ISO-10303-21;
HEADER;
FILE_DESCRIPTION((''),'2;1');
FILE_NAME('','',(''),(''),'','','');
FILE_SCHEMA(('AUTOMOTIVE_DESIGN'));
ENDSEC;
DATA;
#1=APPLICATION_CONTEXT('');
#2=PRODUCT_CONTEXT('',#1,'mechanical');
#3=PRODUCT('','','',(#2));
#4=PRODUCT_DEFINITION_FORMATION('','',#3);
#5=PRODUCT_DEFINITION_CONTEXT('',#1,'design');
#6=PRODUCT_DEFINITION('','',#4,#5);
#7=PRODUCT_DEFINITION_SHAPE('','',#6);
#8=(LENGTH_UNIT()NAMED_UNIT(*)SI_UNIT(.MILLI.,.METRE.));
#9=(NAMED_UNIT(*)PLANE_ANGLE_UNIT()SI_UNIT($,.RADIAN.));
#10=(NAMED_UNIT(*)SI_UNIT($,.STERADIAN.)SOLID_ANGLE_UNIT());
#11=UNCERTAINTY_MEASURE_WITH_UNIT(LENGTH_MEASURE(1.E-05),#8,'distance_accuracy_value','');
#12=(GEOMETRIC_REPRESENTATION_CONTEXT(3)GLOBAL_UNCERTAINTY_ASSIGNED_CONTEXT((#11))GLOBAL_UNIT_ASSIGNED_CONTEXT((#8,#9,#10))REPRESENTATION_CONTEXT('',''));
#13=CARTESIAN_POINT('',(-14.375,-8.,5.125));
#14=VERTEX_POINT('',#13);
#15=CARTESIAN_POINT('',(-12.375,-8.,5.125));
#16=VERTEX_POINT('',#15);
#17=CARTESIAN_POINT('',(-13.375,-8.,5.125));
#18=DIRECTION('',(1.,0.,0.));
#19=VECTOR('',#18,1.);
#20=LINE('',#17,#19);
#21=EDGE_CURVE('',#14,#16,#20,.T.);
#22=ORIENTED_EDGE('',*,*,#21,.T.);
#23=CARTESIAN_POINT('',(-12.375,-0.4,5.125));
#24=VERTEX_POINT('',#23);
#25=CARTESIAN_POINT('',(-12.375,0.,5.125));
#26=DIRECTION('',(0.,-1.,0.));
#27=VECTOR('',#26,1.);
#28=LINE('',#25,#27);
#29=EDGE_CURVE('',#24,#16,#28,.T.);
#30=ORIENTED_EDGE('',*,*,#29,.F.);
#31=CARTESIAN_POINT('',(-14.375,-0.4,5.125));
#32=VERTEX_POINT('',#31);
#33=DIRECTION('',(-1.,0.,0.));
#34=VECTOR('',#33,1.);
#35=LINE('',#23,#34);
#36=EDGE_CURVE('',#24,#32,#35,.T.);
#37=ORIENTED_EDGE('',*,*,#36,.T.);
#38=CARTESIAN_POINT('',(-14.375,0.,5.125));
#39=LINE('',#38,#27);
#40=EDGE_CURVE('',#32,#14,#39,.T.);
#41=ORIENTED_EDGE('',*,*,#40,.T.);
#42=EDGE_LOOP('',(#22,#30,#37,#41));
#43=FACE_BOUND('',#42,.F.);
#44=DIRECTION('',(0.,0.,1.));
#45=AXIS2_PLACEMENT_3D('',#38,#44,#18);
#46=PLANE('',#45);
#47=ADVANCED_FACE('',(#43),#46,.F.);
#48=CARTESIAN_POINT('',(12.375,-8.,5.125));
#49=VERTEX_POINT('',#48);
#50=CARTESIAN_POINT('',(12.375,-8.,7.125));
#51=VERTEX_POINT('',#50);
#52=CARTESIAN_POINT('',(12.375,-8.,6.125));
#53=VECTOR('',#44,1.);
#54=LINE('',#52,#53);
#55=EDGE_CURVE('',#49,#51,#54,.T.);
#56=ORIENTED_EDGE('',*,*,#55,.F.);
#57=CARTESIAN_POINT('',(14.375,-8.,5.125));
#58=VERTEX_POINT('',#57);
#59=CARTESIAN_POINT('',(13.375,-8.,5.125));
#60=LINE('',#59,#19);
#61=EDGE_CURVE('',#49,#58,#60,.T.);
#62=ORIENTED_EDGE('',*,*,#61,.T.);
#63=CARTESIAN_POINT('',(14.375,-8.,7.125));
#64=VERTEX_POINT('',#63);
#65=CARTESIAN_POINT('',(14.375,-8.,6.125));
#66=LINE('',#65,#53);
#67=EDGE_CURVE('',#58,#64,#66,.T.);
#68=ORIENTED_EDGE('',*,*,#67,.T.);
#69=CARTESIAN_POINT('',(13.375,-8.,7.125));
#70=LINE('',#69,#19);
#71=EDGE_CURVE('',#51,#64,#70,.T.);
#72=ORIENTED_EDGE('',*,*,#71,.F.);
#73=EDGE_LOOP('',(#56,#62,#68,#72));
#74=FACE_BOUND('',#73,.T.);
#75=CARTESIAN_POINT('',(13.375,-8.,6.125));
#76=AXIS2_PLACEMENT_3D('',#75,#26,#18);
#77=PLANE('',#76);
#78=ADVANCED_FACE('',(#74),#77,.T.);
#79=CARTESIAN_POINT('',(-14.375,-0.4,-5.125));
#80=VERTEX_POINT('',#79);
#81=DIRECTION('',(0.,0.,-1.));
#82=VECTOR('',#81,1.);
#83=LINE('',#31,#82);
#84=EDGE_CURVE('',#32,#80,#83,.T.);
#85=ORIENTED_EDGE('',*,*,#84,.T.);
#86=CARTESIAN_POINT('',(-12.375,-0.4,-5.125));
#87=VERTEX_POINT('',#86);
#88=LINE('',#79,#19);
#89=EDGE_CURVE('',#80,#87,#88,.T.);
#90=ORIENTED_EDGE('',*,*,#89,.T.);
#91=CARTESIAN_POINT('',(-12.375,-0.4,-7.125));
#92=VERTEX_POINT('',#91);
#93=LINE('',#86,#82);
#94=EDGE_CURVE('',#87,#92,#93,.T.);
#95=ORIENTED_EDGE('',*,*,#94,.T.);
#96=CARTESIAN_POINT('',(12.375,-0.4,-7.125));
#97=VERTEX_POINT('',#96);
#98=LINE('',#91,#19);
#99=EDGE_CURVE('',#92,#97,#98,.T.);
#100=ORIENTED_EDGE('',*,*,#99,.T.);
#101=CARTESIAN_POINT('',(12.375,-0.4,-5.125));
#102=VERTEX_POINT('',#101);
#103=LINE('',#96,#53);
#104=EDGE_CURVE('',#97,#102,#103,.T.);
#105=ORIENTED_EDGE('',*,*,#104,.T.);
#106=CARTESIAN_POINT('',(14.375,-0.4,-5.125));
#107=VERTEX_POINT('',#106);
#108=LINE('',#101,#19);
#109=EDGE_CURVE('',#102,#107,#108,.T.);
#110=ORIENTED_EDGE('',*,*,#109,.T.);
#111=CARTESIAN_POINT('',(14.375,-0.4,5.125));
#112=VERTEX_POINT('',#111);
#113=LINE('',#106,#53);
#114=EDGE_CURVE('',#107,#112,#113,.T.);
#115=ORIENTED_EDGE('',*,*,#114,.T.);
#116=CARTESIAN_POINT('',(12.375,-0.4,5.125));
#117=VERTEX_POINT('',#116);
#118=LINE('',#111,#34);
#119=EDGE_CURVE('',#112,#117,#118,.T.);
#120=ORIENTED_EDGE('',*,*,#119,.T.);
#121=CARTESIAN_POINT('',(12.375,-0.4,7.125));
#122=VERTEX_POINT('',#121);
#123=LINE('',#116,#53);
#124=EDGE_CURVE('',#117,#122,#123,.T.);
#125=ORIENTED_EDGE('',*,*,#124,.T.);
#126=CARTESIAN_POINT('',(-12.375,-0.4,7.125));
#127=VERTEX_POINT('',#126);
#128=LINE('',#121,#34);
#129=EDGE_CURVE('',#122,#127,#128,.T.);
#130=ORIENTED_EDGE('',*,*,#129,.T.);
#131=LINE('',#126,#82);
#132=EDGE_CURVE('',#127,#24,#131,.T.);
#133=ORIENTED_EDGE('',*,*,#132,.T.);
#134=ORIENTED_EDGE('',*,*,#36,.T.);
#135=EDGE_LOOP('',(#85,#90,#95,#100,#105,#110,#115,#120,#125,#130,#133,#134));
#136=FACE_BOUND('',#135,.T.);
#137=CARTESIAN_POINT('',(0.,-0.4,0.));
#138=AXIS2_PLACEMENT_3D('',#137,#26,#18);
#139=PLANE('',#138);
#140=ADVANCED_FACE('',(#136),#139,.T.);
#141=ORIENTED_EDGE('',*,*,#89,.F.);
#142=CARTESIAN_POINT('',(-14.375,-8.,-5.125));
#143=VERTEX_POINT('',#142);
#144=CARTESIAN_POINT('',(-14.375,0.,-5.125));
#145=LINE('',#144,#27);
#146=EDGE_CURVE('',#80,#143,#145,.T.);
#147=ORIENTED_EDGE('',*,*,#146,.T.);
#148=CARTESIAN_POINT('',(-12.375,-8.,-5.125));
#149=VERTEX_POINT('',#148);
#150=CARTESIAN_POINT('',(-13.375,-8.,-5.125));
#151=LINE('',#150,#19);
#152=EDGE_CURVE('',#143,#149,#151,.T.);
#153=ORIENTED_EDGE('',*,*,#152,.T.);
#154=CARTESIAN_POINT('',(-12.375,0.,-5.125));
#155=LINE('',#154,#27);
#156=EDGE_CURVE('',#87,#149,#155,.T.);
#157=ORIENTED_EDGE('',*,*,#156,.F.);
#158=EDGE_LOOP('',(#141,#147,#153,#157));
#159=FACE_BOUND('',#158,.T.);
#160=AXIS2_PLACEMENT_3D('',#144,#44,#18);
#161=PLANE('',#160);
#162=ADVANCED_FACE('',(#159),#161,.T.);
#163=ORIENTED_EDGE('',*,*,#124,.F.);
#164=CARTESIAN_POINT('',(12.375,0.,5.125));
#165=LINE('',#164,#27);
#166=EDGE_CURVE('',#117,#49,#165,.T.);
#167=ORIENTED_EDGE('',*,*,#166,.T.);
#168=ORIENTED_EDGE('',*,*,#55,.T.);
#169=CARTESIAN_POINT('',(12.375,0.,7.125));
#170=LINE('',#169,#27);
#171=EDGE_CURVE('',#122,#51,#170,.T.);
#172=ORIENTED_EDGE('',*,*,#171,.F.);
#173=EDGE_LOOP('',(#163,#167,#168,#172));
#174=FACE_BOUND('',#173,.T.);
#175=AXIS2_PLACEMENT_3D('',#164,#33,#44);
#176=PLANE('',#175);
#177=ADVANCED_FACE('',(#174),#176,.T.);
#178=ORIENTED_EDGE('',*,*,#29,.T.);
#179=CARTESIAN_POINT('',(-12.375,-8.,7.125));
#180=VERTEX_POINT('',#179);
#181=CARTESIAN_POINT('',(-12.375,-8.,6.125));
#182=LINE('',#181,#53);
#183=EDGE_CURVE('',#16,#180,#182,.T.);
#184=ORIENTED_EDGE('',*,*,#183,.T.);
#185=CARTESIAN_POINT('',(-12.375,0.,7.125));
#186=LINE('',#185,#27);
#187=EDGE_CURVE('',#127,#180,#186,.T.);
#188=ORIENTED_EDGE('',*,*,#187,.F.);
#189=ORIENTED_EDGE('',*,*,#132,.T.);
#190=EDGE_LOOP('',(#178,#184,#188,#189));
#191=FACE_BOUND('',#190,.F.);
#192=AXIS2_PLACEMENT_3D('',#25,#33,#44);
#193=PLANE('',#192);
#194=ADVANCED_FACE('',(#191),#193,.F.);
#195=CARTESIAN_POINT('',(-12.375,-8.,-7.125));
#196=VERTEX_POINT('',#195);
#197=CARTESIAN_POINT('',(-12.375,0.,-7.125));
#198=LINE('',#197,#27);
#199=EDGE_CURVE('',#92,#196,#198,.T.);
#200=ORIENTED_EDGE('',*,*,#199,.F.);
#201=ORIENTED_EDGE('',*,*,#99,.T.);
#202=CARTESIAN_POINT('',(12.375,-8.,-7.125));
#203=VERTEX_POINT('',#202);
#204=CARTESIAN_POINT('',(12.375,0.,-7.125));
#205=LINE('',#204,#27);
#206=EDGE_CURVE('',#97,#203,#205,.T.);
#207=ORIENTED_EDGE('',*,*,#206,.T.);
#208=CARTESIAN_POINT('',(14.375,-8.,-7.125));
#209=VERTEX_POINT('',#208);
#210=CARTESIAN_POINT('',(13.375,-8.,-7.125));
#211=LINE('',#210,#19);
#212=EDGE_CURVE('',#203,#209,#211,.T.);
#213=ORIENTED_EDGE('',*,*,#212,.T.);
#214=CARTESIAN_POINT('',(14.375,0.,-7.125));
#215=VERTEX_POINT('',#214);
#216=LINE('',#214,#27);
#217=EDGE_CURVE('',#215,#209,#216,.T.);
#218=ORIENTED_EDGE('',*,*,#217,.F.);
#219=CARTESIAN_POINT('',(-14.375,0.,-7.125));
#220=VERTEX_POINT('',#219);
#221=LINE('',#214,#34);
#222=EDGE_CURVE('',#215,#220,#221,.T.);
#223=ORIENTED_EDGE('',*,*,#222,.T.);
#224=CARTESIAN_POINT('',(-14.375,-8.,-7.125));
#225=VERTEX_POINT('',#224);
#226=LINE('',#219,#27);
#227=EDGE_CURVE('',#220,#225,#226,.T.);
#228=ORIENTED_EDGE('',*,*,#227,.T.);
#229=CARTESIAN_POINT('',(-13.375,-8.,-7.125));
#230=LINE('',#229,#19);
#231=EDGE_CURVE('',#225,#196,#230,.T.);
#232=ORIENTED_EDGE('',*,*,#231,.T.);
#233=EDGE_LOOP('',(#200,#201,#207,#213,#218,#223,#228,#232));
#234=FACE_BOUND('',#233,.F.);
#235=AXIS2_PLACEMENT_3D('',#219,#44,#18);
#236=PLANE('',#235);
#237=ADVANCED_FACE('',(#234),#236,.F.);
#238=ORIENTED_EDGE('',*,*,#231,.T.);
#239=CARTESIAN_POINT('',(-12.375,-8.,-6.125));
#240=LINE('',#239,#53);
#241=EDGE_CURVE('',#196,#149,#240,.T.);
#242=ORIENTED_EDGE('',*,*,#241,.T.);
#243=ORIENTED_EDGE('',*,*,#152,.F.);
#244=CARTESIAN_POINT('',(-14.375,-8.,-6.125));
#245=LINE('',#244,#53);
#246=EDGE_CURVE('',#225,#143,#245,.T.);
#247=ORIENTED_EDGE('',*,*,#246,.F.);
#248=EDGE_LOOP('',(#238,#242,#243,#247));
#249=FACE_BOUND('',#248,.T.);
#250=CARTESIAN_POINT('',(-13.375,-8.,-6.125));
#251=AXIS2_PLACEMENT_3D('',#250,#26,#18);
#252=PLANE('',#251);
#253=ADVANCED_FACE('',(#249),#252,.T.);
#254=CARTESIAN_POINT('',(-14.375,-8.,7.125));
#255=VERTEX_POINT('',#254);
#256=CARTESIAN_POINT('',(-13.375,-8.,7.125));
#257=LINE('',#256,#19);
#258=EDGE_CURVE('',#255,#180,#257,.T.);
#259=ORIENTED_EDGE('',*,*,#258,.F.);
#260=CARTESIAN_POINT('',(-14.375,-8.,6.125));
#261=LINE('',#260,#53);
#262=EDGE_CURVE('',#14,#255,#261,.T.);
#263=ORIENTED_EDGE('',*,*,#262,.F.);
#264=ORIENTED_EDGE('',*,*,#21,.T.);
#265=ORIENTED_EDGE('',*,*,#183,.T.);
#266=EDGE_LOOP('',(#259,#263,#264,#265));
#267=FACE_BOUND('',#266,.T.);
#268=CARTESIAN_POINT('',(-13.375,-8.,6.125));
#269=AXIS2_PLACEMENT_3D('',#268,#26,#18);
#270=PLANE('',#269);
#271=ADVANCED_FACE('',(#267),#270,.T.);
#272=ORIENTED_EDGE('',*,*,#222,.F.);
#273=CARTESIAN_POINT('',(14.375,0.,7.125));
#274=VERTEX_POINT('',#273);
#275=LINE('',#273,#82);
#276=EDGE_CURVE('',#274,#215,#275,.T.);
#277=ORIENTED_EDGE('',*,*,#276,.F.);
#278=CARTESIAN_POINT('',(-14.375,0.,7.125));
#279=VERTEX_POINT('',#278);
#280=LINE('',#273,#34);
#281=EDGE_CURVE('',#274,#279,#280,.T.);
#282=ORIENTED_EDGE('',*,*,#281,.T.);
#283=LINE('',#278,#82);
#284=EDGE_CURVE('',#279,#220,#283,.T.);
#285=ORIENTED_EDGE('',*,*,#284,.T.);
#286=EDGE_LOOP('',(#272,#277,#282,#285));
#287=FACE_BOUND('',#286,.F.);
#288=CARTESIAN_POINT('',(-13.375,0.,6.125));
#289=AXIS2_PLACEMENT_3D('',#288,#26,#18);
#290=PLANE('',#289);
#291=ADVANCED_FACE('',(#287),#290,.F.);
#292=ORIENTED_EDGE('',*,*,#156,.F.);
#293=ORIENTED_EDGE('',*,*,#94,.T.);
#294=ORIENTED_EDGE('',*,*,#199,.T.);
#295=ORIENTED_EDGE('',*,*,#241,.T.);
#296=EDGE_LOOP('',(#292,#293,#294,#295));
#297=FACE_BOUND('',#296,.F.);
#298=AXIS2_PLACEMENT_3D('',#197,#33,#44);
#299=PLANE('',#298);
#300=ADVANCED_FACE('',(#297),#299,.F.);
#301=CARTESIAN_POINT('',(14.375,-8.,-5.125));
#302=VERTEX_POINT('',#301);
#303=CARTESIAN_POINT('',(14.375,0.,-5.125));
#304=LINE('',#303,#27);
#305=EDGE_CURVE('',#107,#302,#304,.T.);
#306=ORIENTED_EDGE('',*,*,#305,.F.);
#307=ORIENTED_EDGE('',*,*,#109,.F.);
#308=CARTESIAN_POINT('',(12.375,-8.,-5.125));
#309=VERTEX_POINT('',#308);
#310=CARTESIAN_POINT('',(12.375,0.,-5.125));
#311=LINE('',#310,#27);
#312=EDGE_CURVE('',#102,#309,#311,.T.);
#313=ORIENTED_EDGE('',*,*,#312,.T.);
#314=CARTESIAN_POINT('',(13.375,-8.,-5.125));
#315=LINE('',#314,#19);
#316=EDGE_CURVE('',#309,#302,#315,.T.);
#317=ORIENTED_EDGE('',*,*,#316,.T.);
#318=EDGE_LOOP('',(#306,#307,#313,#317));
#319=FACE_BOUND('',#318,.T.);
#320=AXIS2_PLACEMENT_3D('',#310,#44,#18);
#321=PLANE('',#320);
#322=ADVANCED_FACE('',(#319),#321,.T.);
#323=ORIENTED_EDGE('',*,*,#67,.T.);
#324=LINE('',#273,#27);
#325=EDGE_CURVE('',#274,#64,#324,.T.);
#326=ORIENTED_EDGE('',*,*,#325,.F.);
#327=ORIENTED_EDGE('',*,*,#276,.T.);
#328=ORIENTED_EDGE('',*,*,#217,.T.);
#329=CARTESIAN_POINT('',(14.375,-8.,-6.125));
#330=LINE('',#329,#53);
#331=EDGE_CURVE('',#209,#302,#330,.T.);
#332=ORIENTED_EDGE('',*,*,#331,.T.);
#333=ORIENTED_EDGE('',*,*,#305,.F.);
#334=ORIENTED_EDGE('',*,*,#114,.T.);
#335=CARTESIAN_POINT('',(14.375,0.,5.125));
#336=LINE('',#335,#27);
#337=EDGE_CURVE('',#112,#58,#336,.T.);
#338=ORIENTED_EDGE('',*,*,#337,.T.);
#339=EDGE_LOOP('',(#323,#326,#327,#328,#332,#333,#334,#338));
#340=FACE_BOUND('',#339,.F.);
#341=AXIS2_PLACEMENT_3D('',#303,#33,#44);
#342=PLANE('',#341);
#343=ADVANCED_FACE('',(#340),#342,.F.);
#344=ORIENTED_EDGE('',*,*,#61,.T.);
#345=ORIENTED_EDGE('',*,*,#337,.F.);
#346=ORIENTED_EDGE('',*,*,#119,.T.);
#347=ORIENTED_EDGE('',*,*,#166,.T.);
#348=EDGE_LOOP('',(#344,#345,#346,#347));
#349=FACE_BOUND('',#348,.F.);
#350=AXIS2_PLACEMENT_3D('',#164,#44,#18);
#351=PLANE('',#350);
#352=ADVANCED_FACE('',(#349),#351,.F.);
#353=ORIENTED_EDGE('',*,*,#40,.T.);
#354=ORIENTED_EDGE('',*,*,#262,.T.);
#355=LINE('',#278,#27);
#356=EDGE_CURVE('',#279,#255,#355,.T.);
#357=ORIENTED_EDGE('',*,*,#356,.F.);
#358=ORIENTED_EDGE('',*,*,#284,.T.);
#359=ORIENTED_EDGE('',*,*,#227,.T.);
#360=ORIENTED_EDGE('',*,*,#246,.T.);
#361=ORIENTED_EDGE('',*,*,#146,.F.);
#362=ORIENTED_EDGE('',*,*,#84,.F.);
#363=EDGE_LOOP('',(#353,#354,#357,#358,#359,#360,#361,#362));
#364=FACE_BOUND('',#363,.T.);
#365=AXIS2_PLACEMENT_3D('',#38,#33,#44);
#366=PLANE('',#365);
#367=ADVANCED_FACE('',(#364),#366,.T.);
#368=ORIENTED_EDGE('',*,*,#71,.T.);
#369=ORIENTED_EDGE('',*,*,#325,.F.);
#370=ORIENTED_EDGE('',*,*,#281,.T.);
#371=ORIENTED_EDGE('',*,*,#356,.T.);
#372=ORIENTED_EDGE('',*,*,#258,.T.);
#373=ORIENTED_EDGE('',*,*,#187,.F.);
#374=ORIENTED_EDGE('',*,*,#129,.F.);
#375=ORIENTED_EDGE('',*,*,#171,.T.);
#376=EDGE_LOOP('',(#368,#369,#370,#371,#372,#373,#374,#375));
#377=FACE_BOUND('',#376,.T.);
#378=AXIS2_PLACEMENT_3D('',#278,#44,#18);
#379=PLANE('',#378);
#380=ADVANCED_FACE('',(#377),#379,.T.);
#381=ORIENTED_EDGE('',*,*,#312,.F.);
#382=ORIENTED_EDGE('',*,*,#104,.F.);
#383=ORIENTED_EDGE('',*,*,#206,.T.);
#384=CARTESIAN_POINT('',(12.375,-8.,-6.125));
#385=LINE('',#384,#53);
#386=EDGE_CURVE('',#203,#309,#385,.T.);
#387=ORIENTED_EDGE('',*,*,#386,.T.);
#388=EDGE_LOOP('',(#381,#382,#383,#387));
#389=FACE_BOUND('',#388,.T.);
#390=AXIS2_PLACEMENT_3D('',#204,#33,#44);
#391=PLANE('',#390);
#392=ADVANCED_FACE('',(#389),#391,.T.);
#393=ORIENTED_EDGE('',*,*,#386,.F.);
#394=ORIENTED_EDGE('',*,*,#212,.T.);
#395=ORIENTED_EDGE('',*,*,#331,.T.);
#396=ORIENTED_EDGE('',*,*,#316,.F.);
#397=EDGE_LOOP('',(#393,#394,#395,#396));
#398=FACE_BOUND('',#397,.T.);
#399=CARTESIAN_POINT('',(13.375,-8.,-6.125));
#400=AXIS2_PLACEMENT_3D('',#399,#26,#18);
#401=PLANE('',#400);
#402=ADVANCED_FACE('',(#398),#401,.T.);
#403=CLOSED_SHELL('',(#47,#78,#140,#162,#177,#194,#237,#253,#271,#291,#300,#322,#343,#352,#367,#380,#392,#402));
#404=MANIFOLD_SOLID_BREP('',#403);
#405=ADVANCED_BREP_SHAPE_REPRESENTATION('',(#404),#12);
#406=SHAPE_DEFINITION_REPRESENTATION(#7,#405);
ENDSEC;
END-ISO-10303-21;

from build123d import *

# Parameters (mm, degrees)
F1_DEPTH = 0.4
F0_W     = 2
F0_H     = 2
F2_DEPTH = 8


with BuildPart() as f1:
    # F0 (on Front) → F1 (new body)
    with BuildSketch(Plane.XZ):
        Polygon((12.375, 5.125), (12.375, 7.125), (-12.375, 7.125), (-12.375, 5.125), (-14.375, 5.125), (-14.375, -5.125), (-12.375, -5.125), (-12.375, -7.125), (12.375, -7.125), (12.375, -5.125), (14.375, -5.125), (14.375, 5.125), align=None)
    extrude(amount=F1_DEPTH)

    # F0 (on Front) → F2 (join)
    with BuildSketch(Plane.XZ):
        with Locations((-13.375, 6.125)):
            Rectangle(F0_W, F0_H)
        with Locations((-13.375, -6.125)):
            Rectangle(F0_W, F0_H)
        with Locations((13.375, -6.125)):
            Rectangle(F0_W, F0_H)
        with Locations((13.375, 6.125)):
            Rectangle(F0_W, F0_H)
    extrude(amount=F2_DEPTH)


solid = f1.part
